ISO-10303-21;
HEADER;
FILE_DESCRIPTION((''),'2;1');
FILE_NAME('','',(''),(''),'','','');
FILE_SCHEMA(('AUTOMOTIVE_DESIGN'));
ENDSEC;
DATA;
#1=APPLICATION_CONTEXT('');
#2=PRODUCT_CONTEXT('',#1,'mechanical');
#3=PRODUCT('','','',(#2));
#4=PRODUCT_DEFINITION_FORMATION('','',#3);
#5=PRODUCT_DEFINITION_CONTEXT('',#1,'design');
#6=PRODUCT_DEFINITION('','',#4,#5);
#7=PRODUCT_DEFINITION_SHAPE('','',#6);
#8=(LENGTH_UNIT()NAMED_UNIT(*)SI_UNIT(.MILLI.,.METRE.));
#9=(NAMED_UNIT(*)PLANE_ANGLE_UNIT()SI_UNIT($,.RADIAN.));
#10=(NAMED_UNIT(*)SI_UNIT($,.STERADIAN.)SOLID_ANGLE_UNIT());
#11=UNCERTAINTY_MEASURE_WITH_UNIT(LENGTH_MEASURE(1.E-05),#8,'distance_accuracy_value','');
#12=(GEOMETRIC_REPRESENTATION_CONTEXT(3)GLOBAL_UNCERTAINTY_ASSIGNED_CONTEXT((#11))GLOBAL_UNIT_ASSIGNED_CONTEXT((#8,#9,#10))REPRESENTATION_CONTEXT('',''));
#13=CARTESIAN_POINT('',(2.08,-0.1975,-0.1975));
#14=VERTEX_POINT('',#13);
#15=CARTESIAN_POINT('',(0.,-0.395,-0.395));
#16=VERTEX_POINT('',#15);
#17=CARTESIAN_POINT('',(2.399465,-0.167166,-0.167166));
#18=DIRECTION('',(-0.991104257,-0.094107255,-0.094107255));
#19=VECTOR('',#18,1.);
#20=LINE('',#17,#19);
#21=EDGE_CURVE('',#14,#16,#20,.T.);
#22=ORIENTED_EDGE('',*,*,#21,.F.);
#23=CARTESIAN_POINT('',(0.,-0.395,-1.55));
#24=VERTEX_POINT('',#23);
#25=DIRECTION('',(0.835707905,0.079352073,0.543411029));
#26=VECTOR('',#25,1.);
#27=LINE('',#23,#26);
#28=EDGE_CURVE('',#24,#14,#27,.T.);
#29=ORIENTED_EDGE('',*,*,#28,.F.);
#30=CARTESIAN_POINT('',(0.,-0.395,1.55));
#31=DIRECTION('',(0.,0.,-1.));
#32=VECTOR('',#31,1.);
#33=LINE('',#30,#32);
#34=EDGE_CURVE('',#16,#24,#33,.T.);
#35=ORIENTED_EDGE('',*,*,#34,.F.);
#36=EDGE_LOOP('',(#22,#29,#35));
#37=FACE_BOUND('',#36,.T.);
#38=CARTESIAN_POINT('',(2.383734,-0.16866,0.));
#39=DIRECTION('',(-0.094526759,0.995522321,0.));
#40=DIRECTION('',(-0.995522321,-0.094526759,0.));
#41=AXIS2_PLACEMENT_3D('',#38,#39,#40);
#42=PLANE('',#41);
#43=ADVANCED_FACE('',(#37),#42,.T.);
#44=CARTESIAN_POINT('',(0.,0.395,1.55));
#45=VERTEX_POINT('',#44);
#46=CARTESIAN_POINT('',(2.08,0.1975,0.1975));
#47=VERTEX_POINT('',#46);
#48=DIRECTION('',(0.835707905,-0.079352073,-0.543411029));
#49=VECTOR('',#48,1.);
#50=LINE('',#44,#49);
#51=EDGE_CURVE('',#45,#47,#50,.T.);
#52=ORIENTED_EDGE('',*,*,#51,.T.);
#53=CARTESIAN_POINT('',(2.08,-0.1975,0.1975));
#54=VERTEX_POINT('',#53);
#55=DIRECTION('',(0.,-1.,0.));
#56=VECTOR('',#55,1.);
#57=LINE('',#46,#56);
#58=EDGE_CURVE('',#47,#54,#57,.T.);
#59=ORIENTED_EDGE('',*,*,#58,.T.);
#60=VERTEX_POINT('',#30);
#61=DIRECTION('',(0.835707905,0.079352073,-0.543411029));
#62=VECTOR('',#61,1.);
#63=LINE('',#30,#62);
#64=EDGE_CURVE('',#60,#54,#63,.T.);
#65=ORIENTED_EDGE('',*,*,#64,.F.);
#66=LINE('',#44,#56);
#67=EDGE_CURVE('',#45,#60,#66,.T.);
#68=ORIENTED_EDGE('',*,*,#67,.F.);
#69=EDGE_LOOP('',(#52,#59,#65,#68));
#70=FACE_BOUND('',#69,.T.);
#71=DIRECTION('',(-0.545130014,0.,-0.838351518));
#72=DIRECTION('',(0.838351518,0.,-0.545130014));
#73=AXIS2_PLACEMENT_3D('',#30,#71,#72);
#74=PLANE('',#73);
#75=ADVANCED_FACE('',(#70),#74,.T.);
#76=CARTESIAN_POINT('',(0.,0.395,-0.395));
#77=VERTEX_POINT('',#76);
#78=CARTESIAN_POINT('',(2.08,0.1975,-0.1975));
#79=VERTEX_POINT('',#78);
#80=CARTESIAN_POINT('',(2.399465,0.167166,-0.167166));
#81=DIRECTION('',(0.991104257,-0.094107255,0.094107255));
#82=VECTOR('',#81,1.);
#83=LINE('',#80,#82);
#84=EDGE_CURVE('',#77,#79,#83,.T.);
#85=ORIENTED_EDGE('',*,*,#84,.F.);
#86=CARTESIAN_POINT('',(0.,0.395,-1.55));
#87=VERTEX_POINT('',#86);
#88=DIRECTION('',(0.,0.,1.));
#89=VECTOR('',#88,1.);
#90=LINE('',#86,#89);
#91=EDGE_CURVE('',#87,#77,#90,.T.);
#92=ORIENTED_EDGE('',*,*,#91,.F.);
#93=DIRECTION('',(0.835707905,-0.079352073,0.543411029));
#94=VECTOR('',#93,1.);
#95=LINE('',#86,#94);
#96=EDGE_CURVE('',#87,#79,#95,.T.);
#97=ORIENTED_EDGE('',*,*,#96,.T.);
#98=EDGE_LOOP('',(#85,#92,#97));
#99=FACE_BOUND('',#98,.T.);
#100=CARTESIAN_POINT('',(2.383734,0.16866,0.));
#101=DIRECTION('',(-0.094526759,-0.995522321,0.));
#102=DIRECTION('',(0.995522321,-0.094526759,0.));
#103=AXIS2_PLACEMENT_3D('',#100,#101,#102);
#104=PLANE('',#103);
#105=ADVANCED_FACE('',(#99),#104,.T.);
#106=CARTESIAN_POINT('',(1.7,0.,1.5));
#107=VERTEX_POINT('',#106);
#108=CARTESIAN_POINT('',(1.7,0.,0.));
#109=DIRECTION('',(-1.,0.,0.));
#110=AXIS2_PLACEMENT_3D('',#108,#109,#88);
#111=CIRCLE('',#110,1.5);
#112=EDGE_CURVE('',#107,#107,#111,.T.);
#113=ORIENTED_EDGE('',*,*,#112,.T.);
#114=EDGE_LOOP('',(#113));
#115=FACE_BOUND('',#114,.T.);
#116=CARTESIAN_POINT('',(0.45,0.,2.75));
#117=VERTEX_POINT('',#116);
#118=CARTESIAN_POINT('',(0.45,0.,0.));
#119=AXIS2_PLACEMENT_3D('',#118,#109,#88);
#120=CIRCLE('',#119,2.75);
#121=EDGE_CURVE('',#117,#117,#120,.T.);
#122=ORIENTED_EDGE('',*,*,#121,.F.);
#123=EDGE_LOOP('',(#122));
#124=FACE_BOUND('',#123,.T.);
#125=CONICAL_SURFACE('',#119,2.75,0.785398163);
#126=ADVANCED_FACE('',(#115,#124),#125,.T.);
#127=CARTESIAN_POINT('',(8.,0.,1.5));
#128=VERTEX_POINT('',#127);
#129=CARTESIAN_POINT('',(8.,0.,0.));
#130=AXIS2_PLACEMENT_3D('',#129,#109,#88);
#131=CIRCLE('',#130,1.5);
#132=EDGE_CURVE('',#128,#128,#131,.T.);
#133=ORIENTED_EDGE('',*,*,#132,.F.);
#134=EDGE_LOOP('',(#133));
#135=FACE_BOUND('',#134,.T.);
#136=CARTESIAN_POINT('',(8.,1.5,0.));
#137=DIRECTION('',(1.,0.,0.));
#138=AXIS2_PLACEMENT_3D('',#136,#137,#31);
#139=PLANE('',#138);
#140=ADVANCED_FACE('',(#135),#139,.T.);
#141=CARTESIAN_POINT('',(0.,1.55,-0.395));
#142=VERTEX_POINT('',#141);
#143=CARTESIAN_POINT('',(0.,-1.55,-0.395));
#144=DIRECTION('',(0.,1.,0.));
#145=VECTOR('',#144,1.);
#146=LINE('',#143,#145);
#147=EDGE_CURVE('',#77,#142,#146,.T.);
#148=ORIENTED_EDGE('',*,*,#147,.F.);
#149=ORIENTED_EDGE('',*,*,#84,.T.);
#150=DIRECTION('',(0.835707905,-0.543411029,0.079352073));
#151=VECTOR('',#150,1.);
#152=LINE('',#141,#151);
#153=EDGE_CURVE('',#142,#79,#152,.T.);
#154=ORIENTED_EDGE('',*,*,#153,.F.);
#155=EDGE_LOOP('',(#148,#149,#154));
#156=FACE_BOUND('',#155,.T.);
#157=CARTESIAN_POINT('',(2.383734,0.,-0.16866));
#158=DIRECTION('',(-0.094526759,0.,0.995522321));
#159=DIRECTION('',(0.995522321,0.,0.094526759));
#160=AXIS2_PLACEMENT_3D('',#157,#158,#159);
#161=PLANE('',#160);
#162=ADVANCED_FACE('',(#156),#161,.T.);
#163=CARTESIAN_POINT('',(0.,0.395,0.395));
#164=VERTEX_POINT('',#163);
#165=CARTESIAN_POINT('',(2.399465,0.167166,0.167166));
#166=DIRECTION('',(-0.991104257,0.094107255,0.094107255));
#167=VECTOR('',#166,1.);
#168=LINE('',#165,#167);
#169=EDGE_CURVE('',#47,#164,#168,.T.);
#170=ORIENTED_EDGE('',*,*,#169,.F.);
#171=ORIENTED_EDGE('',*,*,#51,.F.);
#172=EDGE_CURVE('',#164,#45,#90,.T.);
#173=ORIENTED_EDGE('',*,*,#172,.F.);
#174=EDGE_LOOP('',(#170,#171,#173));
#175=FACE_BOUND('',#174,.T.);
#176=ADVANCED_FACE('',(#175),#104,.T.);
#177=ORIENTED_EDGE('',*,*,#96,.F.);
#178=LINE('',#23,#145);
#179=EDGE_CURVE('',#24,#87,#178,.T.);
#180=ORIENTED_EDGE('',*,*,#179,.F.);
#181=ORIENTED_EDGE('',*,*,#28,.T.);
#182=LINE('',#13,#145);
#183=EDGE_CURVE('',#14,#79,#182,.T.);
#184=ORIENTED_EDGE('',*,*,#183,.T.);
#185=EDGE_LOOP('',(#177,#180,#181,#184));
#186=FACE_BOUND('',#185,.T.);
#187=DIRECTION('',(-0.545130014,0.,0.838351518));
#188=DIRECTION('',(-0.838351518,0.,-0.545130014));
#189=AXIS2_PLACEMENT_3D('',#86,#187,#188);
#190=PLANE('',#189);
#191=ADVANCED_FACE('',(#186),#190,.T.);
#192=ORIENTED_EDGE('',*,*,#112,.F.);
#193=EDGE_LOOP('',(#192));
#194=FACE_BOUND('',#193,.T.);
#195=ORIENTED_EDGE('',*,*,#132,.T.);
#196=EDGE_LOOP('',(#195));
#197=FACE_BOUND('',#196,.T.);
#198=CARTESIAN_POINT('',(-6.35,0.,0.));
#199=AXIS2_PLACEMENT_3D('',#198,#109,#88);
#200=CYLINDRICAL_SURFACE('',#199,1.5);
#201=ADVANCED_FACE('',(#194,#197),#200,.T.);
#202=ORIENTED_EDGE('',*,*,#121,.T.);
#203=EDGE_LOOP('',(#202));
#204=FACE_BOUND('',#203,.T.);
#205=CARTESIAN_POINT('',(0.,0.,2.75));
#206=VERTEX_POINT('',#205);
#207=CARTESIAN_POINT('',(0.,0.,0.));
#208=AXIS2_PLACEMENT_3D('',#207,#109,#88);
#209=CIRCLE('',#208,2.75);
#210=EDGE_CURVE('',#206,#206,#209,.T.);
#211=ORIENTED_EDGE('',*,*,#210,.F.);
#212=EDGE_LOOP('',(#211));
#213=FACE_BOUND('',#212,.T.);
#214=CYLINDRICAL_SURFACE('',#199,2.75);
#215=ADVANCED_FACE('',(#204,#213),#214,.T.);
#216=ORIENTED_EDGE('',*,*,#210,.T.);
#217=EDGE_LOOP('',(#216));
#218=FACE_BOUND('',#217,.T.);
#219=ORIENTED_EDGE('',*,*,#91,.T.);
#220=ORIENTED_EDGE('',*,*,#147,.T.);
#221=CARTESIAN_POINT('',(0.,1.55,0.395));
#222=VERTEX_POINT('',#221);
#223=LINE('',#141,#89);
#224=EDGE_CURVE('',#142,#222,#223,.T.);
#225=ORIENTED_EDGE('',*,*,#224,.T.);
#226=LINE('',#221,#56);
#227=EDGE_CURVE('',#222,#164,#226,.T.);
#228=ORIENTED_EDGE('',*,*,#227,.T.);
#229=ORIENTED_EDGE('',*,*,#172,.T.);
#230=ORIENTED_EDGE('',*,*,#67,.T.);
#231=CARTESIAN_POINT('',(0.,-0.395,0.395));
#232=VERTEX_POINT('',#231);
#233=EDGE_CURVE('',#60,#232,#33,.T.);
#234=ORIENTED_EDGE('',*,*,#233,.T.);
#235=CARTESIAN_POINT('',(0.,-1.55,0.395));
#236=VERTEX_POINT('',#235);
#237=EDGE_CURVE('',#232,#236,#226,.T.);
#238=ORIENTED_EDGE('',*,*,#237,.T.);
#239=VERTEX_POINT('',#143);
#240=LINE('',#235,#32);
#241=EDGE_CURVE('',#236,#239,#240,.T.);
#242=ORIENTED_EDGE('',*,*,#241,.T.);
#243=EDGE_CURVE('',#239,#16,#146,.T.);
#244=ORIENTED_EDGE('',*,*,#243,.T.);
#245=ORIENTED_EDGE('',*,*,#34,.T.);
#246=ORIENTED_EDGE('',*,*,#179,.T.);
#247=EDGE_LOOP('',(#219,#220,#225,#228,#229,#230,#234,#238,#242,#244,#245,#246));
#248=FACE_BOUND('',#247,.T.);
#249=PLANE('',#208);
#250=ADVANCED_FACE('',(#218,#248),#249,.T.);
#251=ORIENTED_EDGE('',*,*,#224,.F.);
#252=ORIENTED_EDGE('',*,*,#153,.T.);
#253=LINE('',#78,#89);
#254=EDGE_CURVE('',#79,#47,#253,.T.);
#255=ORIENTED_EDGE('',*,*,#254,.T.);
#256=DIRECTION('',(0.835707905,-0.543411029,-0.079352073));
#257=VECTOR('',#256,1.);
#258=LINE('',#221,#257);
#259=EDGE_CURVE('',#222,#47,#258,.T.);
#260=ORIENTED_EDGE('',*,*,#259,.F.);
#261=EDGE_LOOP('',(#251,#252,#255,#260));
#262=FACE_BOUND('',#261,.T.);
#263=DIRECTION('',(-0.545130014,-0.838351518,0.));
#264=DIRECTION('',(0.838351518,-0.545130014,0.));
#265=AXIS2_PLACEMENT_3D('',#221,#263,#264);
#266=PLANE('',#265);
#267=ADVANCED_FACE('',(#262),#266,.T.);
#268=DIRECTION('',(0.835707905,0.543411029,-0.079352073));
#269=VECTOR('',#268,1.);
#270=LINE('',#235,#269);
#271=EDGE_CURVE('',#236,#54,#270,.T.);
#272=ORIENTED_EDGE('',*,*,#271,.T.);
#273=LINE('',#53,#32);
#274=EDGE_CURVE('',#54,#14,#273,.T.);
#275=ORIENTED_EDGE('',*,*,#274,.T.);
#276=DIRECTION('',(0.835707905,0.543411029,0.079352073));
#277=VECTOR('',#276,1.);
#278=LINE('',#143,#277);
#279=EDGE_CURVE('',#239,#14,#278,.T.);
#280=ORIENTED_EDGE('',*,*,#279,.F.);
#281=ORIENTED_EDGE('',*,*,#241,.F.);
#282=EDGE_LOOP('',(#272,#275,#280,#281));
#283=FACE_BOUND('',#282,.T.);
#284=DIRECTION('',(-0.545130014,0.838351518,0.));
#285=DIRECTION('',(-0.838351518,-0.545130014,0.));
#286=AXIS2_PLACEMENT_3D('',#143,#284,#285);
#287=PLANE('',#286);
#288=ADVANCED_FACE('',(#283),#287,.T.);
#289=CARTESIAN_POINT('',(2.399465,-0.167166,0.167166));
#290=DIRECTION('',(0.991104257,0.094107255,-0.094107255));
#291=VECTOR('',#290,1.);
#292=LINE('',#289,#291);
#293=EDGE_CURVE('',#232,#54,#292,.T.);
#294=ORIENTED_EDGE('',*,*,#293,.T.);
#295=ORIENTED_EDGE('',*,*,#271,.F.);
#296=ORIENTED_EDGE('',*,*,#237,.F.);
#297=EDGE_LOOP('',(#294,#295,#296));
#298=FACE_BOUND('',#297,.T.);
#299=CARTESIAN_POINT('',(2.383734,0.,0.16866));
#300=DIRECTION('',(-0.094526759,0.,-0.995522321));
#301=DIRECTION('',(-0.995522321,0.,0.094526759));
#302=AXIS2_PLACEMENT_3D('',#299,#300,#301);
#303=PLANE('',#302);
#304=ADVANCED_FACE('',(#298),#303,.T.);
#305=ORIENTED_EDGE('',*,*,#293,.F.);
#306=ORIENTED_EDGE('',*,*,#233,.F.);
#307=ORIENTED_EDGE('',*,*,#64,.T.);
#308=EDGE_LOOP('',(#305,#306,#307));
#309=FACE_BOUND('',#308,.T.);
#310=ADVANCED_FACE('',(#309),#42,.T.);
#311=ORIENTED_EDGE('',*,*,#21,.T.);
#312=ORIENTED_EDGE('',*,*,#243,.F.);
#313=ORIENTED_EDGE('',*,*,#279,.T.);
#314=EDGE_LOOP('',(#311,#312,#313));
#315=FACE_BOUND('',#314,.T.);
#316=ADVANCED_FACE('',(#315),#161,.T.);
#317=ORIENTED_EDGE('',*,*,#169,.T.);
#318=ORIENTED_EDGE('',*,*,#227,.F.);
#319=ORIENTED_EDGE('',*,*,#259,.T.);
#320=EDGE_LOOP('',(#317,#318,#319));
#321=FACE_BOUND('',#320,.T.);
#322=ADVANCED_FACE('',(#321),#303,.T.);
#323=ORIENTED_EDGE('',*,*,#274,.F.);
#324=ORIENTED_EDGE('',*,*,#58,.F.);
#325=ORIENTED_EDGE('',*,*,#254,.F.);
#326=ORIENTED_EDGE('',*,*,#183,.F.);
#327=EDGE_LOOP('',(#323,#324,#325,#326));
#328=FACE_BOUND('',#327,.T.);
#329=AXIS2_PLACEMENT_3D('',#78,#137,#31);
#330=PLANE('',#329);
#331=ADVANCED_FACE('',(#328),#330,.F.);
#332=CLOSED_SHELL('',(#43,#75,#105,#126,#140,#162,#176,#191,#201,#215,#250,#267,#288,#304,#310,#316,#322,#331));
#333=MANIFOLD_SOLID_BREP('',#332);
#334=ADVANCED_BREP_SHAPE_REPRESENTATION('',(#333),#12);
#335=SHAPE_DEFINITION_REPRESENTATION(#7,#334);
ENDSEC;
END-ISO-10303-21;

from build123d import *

# Parameters (mm, degrees)
CIRPATTERN1_COUNT = 2
CIRPATTERN1_ANGLE = 90


with BuildPart() as part:
    # BodySke → Base-Revolve (revolve)
    with BuildSketch(Plane.XY, mode=Mode.PRIVATE) as base_revolve_sk:
        Polygon((0, 0), (0, 2.75), (0.45, 2.75), (1.7, 1.5), (8, 1.5), (8, 0), align=None)
    revolve(base_revolve_sk.sketch.rotate(Axis((-6.35, 0, 0), (1, 0, 0)), 90), axis=Axis((-6.35, 0, 0), (1, 0, 0)))

    # Sketch3 → Cross section 0
    with BuildSketch(Plane.ZY):
        with BuildLine():
            Line((-0.395, 1.55), (0.395, 1.55))
            Line((0.395, 1.55), (0.395, -1.55))
            Line((0.395, -1.55), (-0.395, -1.55))
            Line((-0.395, -1.55), (-0.395, 1.55))
        make_face()
    # Sketch4 → Cross section 1
    with BuildSketch(Plane.ZY.offset(-2.08)):
        with BuildLine():
            Line((-0.1975, 0.1975), (0.1975, 0.1975))
            Line((0.1975, 0.1975), (0.1975, -0.1975))
            Line((0.1975, -0.1975), (-0.1975, -0.1975))
            Line((-0.1975, -0.1975), (-0.1975, 0.1975))
        make_face()
    cross = loft(mode=Mode.SUBTRACT)

    # CirPattern1: Cross ×2 about axis
    cirpattern1_axis = Axis((0, 0, 0), (1, 0, 0))
    for i in range(1, CIRPATTERN1_COUNT):
        add(cross.rotate(cirpattern1_axis, i * CIRPATTERN1_ANGLE / (CIRPATTERN1_COUNT - 1)), mode=Mode.SUBTRACT)


solid = part.part
